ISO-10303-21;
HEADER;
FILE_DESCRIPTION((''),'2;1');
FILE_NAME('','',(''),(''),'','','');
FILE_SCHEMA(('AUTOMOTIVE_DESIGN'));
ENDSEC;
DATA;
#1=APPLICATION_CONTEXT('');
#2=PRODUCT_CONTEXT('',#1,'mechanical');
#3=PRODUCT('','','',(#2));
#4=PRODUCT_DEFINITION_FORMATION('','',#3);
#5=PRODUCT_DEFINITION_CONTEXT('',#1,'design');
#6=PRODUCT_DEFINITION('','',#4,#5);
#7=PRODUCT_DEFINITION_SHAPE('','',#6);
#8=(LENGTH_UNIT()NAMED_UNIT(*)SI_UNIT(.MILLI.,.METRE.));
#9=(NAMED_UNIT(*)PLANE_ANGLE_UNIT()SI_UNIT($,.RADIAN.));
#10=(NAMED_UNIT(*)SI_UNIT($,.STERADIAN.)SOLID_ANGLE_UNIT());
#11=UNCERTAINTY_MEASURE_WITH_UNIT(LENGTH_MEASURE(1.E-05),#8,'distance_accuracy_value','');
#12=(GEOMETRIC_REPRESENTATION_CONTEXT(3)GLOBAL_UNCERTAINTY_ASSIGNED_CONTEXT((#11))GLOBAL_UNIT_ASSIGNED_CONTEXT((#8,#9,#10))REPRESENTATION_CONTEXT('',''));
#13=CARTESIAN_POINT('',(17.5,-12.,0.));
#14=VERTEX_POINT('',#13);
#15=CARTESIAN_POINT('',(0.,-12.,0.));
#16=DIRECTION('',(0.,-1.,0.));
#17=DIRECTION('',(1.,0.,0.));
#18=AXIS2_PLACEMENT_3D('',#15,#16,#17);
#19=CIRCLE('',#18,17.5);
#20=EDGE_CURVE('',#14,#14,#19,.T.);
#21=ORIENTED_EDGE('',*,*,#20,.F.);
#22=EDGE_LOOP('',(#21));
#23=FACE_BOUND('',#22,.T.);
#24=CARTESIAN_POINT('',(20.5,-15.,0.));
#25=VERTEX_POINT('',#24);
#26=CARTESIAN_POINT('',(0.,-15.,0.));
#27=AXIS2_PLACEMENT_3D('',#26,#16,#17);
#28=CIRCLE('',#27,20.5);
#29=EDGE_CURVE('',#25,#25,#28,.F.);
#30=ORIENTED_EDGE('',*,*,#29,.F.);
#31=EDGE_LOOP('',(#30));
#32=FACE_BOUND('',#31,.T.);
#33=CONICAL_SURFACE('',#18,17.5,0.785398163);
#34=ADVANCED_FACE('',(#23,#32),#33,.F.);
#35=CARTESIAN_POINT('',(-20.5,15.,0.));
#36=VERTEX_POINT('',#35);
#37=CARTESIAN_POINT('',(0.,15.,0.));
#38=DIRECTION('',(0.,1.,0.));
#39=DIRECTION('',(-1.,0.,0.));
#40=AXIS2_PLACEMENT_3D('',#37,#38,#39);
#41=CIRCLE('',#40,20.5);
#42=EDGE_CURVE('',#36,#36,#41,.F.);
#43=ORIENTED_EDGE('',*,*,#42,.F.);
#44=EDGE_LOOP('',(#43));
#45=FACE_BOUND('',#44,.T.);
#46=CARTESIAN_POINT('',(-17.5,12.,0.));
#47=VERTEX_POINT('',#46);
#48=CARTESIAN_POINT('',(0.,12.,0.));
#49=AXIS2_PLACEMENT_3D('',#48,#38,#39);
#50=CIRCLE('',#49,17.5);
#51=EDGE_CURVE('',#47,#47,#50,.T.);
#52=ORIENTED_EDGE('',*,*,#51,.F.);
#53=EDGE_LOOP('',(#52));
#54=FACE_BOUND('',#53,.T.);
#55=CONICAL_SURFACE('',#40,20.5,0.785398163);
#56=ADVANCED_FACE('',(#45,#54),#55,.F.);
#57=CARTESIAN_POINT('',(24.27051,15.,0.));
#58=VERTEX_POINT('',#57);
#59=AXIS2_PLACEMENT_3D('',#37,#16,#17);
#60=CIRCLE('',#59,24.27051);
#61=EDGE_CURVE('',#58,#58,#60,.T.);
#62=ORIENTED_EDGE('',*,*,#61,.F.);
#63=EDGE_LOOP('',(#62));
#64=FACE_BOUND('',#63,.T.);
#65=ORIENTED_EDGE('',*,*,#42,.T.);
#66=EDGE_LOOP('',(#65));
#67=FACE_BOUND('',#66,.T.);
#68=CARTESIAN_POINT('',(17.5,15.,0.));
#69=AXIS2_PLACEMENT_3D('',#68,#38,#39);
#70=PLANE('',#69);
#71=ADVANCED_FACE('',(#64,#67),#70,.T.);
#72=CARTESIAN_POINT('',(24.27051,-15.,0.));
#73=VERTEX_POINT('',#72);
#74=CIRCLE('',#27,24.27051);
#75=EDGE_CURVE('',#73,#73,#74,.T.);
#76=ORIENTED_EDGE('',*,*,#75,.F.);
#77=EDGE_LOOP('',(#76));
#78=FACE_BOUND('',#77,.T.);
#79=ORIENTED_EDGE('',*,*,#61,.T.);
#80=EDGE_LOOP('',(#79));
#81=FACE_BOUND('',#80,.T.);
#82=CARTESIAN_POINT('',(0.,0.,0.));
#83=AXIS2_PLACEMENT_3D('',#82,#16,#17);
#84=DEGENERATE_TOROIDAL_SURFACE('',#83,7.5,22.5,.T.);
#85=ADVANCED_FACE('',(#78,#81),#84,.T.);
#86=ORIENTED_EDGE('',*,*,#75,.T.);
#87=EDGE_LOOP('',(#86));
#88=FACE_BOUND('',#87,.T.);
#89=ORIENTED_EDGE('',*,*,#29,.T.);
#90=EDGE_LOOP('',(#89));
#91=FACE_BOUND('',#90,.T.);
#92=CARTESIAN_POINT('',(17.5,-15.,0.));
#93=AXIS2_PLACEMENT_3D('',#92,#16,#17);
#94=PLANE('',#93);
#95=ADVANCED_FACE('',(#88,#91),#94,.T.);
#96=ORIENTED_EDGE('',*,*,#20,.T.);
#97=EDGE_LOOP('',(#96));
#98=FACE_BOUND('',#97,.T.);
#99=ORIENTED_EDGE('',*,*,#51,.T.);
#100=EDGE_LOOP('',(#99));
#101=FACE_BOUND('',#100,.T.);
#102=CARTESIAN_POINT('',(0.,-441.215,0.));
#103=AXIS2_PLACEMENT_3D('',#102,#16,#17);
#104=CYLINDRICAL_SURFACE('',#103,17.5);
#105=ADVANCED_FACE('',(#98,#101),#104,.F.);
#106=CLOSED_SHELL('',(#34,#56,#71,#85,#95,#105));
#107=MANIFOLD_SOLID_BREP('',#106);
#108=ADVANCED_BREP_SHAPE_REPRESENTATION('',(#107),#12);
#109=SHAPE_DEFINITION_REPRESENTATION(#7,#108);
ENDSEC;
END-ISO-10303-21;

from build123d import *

# Parameters (mm, degrees)
CHAMFER1_SIZE = 3


with BuildPart() as part:
    # Sketch1 → Revolve1 (revolve)
    with BuildSketch(Plane.XY):
        with BuildLine():
            Line((17.5, 15), (24.270509831, 15))
            ThreePointArc((24.270509831, 15), (30, 0), (24.270509831, -15))
            Line((24.270509831, -15), (17.5, -15))
            Line((17.5, -15), (17.5, 15))
        make_face()
    revolve(axis=Axis((0, -441.214999731, 0), (0, 1, 0)))

    # Chamfer1
    chamfer1_edges = [part.edges().sort_by_distance(p)[0] for p in [
        (-17.5, -15, 0),
        (-17.5, 15, 0),
    ]]
    chamfer(chamfer1_edges, length=CHAMFER1_SIZE)


solid = part.part
